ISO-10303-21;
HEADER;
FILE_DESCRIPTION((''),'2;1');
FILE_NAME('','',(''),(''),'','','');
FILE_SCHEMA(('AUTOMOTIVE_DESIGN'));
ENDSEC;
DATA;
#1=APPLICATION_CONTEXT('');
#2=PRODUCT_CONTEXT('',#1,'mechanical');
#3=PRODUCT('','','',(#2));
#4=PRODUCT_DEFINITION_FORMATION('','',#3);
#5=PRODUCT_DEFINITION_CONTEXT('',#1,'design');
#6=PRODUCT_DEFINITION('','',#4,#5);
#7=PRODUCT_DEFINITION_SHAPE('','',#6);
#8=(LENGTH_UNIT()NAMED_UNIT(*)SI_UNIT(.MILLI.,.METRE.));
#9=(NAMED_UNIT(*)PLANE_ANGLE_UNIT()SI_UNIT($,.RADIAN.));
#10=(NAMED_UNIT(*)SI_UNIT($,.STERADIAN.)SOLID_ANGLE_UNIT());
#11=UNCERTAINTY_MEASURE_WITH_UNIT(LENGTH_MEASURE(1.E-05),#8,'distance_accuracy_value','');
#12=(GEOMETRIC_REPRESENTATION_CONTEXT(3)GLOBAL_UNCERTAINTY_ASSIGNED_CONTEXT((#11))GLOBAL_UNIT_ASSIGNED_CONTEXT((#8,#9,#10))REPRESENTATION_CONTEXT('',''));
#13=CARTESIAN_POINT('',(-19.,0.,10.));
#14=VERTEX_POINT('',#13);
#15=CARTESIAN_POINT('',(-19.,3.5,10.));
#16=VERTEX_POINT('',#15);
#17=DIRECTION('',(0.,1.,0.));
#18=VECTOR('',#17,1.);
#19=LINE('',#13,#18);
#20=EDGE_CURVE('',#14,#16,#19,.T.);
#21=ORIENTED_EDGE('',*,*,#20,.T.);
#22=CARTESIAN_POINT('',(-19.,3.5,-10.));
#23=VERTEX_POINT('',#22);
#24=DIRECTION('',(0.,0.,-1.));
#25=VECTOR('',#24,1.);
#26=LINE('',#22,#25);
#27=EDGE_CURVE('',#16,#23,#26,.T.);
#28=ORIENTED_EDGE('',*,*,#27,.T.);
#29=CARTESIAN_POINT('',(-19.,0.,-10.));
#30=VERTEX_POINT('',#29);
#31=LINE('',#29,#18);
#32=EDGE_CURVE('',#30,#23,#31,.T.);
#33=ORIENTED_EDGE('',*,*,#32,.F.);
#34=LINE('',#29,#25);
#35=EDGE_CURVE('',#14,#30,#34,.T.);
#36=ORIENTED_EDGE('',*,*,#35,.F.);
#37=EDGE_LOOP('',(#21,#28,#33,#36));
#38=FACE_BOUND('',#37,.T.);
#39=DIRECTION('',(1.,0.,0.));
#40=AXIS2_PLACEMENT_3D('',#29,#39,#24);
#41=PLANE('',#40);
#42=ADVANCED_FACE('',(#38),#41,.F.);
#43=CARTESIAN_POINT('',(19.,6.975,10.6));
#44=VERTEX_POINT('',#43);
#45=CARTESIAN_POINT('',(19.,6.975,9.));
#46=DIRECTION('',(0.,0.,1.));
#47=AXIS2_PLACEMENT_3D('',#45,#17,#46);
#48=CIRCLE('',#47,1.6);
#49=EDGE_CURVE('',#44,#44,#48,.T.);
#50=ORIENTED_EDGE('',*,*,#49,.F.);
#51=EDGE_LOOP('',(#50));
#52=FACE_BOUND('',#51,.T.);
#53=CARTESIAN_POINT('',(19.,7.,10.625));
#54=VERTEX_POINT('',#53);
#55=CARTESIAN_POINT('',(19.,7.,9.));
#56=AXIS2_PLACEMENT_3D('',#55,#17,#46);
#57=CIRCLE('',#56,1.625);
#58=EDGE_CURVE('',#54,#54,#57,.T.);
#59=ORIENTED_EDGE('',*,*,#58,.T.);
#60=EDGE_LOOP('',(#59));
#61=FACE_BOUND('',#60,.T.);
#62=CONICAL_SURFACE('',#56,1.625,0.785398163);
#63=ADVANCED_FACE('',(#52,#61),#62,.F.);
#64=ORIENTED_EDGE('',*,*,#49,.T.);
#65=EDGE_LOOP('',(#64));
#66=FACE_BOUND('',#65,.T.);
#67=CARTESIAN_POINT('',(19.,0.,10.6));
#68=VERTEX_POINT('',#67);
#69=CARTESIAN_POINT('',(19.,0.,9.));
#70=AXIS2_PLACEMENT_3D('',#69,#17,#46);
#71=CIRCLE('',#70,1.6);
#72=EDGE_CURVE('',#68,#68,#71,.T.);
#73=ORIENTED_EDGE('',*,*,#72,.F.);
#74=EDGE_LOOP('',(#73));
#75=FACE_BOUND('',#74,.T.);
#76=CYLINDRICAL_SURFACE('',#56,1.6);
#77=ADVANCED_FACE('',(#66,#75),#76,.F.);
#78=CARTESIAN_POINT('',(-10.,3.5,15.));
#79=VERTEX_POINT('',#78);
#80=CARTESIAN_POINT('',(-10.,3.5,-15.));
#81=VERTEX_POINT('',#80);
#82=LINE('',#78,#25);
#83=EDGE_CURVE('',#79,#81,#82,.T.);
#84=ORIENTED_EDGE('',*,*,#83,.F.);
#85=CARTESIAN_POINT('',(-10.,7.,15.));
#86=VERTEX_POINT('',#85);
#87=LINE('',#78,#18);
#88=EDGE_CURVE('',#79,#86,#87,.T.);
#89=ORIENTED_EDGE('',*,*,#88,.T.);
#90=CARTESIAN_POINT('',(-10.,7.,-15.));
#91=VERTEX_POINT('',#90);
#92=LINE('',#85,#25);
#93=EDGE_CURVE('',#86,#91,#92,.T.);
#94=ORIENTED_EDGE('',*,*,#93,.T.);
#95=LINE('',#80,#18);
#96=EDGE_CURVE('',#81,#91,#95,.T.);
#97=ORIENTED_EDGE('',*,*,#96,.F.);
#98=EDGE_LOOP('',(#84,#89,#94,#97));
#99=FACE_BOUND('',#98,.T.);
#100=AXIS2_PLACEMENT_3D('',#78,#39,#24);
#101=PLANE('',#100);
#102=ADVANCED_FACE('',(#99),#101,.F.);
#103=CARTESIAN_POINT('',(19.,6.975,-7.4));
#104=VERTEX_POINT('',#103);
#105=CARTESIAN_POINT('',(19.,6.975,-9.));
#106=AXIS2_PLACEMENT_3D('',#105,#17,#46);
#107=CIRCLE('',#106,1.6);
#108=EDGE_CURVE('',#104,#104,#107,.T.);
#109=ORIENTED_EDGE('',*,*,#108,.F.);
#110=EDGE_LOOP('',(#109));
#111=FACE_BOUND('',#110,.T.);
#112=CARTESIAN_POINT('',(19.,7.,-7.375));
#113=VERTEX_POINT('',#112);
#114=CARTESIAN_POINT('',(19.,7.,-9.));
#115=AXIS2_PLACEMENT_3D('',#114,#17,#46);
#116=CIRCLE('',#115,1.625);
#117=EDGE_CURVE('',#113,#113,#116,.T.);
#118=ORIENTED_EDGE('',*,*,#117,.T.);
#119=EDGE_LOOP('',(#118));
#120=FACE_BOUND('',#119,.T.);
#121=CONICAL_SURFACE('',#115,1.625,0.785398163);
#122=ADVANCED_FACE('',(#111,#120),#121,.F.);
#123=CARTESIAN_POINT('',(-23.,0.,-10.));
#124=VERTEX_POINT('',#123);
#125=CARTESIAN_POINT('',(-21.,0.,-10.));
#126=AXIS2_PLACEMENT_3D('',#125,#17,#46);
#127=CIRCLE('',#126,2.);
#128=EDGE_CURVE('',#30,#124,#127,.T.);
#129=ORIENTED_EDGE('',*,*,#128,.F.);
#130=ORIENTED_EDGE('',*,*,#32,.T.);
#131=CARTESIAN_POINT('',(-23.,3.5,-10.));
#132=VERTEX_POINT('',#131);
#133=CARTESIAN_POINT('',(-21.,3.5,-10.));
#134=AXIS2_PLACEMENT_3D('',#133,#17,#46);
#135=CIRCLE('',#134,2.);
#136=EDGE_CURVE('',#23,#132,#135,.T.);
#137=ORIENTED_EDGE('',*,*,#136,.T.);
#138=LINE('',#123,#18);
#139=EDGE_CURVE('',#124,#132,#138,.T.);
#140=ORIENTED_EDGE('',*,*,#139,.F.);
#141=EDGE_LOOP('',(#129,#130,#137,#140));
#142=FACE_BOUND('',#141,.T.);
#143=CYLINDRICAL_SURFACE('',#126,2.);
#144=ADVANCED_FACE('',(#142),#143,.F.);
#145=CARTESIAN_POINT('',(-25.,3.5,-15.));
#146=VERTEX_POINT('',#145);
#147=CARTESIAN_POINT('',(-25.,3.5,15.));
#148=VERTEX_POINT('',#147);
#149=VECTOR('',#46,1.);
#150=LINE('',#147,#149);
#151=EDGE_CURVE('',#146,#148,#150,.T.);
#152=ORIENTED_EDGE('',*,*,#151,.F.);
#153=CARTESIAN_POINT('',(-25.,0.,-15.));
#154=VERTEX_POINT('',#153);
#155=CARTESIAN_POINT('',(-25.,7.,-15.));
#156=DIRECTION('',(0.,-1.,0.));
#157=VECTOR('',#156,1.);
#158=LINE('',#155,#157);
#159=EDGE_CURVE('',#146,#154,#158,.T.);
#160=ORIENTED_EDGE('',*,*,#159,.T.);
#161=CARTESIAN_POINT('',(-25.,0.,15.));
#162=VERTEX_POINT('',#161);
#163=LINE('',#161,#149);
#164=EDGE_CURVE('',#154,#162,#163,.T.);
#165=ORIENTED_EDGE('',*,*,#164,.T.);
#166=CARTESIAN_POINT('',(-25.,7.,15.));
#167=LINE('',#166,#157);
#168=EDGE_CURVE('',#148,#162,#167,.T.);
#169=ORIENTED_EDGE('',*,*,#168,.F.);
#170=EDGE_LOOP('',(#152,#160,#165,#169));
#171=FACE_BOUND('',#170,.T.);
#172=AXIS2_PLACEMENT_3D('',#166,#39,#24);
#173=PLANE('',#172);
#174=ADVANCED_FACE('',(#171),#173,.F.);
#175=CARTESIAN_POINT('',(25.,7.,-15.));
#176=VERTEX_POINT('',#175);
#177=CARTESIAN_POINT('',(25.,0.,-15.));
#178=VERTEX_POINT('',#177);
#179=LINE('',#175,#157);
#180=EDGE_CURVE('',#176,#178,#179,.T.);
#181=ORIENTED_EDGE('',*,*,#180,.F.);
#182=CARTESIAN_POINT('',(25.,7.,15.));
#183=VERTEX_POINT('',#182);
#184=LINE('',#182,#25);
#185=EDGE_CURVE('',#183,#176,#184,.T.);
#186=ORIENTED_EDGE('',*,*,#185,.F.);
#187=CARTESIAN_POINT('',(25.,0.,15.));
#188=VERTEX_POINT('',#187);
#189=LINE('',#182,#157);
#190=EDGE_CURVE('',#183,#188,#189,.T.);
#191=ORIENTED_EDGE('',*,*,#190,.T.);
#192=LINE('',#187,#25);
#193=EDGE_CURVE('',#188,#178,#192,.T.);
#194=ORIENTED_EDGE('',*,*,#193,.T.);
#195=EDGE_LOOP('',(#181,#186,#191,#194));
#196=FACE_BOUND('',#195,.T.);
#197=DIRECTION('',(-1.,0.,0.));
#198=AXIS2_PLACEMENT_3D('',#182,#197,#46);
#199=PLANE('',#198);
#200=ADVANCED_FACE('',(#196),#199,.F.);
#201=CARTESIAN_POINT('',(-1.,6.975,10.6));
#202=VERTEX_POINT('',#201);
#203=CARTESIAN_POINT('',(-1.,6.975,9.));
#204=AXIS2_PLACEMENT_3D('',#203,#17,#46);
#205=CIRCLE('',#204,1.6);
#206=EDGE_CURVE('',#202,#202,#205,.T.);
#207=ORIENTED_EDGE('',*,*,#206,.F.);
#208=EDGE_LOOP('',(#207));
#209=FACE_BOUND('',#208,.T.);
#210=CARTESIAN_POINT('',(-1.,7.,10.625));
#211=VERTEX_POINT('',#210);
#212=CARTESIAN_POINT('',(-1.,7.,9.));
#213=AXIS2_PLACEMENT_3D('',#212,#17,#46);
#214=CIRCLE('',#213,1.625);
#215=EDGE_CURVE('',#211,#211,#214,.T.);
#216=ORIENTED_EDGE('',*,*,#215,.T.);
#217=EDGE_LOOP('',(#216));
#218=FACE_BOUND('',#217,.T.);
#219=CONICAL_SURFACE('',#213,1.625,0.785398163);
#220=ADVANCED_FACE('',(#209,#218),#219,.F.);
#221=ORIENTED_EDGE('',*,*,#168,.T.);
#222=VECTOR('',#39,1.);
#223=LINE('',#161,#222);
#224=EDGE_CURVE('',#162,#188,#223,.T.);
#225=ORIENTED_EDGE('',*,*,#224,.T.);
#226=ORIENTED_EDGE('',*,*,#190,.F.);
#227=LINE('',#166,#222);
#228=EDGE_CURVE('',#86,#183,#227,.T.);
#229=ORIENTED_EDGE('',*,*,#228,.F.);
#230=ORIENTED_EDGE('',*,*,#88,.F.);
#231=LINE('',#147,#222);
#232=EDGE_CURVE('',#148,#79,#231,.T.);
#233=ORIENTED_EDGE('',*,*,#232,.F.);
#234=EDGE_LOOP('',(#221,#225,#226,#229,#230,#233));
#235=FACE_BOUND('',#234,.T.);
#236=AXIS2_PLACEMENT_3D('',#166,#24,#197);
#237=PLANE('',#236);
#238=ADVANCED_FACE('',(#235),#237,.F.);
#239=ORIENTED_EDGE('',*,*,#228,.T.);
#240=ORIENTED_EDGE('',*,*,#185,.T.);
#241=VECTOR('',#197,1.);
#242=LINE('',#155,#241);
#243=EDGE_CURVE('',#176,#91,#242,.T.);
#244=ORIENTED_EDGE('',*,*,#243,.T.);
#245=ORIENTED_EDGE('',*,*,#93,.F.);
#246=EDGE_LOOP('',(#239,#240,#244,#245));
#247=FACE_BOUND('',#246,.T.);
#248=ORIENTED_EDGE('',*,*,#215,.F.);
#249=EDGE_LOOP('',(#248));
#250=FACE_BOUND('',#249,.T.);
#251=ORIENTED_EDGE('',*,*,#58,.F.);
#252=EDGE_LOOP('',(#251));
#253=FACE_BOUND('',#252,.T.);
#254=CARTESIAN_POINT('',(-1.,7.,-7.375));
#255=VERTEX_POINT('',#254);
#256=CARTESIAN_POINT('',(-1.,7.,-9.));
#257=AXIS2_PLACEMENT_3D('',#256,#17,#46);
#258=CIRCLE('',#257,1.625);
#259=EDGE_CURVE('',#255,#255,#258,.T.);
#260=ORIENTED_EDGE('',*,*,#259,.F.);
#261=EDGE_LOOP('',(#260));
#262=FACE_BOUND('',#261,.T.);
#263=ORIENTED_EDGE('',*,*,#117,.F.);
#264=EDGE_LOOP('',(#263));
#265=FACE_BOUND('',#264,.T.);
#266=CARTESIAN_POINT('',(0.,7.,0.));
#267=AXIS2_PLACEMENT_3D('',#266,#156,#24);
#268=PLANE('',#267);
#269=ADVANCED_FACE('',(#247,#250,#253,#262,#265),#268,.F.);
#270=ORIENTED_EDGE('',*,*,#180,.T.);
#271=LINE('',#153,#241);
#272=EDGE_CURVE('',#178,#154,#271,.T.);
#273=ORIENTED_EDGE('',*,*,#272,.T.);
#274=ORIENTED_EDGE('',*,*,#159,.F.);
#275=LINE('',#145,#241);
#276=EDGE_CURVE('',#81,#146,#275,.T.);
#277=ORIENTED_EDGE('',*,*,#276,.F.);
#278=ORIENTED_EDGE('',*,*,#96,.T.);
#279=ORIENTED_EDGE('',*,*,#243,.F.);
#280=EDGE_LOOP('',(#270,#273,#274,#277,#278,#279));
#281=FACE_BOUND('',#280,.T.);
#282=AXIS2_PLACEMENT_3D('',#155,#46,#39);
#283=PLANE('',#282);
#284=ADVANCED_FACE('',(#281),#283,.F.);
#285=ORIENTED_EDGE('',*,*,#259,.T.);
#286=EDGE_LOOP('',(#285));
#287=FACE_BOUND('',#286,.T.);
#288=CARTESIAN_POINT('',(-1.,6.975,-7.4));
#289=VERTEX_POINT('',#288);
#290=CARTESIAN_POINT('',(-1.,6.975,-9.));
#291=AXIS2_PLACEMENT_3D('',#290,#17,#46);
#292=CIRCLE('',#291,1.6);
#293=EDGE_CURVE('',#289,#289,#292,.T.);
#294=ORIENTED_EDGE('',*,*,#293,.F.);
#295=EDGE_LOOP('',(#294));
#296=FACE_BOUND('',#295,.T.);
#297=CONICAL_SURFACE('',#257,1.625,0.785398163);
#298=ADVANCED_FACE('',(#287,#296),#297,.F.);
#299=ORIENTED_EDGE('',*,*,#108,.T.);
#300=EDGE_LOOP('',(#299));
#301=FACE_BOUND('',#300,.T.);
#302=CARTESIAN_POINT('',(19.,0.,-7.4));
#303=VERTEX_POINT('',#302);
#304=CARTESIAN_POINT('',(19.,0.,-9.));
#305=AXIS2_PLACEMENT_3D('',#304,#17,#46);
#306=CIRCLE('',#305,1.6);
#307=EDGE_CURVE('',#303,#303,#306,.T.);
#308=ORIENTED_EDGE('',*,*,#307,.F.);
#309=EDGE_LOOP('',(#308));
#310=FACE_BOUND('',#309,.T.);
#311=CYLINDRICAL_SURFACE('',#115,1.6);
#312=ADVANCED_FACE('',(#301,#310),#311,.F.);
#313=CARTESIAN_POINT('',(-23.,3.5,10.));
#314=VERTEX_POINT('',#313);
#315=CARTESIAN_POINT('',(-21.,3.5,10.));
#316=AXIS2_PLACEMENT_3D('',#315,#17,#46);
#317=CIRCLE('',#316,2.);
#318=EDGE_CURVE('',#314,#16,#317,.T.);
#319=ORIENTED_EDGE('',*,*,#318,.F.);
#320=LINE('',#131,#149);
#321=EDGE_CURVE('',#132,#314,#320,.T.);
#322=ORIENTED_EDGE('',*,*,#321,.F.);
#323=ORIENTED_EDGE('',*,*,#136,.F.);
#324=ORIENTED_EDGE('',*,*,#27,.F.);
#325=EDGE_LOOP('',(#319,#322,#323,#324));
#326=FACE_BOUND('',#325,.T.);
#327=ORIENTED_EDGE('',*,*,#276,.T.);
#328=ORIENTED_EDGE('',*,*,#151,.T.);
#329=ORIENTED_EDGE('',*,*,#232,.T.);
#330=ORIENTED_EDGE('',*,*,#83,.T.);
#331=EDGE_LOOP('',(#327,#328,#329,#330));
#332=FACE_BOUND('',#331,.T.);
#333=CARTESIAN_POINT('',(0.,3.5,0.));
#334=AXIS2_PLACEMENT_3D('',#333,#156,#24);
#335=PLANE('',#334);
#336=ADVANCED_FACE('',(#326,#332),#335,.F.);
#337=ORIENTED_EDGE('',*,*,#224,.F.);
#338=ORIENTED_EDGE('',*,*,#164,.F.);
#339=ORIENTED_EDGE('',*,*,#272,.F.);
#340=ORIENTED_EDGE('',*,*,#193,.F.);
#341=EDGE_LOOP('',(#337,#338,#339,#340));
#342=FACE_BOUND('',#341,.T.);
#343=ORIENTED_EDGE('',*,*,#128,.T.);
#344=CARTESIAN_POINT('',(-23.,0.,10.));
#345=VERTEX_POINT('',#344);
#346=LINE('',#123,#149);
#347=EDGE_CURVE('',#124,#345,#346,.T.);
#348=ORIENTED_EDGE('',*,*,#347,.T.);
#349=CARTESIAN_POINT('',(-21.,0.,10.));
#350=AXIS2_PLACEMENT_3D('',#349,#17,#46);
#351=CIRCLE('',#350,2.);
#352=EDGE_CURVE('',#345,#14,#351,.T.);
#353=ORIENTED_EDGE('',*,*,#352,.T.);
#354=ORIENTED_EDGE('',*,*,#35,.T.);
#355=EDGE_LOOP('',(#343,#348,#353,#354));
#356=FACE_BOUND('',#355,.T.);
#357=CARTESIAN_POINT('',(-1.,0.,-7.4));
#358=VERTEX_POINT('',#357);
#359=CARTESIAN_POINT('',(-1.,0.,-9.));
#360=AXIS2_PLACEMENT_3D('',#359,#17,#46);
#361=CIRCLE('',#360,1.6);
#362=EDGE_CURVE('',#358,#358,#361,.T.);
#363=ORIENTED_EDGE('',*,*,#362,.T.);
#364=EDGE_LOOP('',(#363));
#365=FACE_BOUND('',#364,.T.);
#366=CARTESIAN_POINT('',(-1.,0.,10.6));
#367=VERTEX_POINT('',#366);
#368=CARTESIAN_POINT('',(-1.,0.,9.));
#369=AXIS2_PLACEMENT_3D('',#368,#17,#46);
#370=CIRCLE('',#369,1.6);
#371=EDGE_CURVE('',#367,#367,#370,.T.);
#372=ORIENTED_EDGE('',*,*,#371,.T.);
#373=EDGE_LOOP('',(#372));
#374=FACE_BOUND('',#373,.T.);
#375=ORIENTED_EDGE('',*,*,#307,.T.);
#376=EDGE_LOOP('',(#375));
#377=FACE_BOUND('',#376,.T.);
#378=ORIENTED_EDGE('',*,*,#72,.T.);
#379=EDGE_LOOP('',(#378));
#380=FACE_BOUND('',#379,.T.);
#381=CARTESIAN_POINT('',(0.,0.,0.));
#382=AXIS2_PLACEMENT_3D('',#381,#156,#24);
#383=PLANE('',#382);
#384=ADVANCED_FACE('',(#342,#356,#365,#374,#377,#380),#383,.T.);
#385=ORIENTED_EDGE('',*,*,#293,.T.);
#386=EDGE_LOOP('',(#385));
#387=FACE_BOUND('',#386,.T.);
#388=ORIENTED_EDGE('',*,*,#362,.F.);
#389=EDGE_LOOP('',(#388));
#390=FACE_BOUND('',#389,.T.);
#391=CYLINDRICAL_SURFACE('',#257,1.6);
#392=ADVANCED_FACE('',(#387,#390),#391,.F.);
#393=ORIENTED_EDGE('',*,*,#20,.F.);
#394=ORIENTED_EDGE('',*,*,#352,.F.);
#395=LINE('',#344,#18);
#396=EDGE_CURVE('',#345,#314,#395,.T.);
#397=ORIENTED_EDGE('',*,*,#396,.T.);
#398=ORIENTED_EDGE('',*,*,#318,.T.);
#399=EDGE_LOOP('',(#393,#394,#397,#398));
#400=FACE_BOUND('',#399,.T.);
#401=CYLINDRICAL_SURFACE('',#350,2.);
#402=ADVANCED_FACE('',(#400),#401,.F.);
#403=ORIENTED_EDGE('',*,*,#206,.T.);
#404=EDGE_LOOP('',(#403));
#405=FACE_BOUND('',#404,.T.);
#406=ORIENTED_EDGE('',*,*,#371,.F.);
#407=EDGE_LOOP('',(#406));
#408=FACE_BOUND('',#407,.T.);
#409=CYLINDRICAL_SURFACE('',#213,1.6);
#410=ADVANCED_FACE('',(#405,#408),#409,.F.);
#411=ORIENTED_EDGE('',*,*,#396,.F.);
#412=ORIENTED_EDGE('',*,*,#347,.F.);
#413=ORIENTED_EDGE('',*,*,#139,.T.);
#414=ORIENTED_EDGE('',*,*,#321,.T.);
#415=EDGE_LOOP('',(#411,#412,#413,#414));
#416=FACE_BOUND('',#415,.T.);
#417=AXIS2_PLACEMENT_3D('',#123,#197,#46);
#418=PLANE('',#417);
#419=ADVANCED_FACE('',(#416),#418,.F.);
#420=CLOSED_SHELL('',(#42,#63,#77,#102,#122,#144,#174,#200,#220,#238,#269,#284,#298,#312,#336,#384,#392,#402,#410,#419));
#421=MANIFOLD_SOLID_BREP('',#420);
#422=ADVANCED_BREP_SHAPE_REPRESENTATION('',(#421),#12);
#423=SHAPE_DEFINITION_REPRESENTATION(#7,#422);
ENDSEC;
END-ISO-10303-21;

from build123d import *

# Parameters (mm, degrees)
SKETCH1_W                      = 50
SKETCH1_H                      = 30
BOSS_EXTRUDE1_DEPTH            = 7
SKETCH2_W                      = 15
SKETCH2_H                      = 30
CUT_EXTRUDE1_DEPTH             = 3.5
CUT_EXTRUDE2_DEPTH             = 4.5
M3_CLEARANCE_HOLE1_D           = 3.2
M3_CLEARANCE_HOLE1_CSINK_D     = 3.25
M3_CLEARANCE_HOLE1_CSINK_ANGLE = 90


with BuildPart() as part:
    # Sketch1 → Boss-Extrude1 (new body)
    with BuildSketch(Plane(origin=(0, 0, 0), x_dir=(1, 0, 0), z_dir=(0, 1, 0))):
        Rectangle(SKETCH1_W, SKETCH1_H)
    extrude(amount=BOSS_EXTRUDE1_DEPTH)

    # Sketch2 → Cut-Extrude1 (cut)
    with BuildSketch(Plane(origin=(0, 7, 0), x_dir=(1, 0, 0), z_dir=(0, 1, 0))):
        with Locations((-17.5, 0)):
            Rectangle(SKETCH2_W, SKETCH2_H)
    extrude(amount=-CUT_EXTRUDE1_DEPTH, mode=Mode.SUBTRACT)

    # Sketch3 → Cut-Extrude2 (cut, through all)
    with BuildSketch(Plane(origin=(0, 3.5, 0), x_dir=(1, 0, 0), z_dir=(0, 1, 0))):
        with BuildLine():
            Line((-19, 10), (-19, -10))
            ThreePointArc((-19, -10), (-21, -12), (-23, -10))
            Line((-23, -10), (-23, 10))
            ThreePointArc((-23, 10), (-21, 12), (-19, 10))
        make_face()
    extrude(amount=-CUT_EXTRUDE2_DEPTH, mode=Mode.SUBTRACT)

    # M3 Clearance Hole1 (through all)
    with Locations(Plane(origin=(0, 7, 0), x_dir=(1, 0, 0), z_dir=(0, 1, 0))):
        with Locations((-1, 9), (-1, -9), (19, 9), (19, -9)):
            CounterSinkHole(M3_CLEARANCE_HOLE1_D / 2, M3_CLEARANCE_HOLE1_CSINK_D / 2, counter_sink_angle=M3_CLEARANCE_HOLE1_CSINK_ANGLE)


solid = part.part
